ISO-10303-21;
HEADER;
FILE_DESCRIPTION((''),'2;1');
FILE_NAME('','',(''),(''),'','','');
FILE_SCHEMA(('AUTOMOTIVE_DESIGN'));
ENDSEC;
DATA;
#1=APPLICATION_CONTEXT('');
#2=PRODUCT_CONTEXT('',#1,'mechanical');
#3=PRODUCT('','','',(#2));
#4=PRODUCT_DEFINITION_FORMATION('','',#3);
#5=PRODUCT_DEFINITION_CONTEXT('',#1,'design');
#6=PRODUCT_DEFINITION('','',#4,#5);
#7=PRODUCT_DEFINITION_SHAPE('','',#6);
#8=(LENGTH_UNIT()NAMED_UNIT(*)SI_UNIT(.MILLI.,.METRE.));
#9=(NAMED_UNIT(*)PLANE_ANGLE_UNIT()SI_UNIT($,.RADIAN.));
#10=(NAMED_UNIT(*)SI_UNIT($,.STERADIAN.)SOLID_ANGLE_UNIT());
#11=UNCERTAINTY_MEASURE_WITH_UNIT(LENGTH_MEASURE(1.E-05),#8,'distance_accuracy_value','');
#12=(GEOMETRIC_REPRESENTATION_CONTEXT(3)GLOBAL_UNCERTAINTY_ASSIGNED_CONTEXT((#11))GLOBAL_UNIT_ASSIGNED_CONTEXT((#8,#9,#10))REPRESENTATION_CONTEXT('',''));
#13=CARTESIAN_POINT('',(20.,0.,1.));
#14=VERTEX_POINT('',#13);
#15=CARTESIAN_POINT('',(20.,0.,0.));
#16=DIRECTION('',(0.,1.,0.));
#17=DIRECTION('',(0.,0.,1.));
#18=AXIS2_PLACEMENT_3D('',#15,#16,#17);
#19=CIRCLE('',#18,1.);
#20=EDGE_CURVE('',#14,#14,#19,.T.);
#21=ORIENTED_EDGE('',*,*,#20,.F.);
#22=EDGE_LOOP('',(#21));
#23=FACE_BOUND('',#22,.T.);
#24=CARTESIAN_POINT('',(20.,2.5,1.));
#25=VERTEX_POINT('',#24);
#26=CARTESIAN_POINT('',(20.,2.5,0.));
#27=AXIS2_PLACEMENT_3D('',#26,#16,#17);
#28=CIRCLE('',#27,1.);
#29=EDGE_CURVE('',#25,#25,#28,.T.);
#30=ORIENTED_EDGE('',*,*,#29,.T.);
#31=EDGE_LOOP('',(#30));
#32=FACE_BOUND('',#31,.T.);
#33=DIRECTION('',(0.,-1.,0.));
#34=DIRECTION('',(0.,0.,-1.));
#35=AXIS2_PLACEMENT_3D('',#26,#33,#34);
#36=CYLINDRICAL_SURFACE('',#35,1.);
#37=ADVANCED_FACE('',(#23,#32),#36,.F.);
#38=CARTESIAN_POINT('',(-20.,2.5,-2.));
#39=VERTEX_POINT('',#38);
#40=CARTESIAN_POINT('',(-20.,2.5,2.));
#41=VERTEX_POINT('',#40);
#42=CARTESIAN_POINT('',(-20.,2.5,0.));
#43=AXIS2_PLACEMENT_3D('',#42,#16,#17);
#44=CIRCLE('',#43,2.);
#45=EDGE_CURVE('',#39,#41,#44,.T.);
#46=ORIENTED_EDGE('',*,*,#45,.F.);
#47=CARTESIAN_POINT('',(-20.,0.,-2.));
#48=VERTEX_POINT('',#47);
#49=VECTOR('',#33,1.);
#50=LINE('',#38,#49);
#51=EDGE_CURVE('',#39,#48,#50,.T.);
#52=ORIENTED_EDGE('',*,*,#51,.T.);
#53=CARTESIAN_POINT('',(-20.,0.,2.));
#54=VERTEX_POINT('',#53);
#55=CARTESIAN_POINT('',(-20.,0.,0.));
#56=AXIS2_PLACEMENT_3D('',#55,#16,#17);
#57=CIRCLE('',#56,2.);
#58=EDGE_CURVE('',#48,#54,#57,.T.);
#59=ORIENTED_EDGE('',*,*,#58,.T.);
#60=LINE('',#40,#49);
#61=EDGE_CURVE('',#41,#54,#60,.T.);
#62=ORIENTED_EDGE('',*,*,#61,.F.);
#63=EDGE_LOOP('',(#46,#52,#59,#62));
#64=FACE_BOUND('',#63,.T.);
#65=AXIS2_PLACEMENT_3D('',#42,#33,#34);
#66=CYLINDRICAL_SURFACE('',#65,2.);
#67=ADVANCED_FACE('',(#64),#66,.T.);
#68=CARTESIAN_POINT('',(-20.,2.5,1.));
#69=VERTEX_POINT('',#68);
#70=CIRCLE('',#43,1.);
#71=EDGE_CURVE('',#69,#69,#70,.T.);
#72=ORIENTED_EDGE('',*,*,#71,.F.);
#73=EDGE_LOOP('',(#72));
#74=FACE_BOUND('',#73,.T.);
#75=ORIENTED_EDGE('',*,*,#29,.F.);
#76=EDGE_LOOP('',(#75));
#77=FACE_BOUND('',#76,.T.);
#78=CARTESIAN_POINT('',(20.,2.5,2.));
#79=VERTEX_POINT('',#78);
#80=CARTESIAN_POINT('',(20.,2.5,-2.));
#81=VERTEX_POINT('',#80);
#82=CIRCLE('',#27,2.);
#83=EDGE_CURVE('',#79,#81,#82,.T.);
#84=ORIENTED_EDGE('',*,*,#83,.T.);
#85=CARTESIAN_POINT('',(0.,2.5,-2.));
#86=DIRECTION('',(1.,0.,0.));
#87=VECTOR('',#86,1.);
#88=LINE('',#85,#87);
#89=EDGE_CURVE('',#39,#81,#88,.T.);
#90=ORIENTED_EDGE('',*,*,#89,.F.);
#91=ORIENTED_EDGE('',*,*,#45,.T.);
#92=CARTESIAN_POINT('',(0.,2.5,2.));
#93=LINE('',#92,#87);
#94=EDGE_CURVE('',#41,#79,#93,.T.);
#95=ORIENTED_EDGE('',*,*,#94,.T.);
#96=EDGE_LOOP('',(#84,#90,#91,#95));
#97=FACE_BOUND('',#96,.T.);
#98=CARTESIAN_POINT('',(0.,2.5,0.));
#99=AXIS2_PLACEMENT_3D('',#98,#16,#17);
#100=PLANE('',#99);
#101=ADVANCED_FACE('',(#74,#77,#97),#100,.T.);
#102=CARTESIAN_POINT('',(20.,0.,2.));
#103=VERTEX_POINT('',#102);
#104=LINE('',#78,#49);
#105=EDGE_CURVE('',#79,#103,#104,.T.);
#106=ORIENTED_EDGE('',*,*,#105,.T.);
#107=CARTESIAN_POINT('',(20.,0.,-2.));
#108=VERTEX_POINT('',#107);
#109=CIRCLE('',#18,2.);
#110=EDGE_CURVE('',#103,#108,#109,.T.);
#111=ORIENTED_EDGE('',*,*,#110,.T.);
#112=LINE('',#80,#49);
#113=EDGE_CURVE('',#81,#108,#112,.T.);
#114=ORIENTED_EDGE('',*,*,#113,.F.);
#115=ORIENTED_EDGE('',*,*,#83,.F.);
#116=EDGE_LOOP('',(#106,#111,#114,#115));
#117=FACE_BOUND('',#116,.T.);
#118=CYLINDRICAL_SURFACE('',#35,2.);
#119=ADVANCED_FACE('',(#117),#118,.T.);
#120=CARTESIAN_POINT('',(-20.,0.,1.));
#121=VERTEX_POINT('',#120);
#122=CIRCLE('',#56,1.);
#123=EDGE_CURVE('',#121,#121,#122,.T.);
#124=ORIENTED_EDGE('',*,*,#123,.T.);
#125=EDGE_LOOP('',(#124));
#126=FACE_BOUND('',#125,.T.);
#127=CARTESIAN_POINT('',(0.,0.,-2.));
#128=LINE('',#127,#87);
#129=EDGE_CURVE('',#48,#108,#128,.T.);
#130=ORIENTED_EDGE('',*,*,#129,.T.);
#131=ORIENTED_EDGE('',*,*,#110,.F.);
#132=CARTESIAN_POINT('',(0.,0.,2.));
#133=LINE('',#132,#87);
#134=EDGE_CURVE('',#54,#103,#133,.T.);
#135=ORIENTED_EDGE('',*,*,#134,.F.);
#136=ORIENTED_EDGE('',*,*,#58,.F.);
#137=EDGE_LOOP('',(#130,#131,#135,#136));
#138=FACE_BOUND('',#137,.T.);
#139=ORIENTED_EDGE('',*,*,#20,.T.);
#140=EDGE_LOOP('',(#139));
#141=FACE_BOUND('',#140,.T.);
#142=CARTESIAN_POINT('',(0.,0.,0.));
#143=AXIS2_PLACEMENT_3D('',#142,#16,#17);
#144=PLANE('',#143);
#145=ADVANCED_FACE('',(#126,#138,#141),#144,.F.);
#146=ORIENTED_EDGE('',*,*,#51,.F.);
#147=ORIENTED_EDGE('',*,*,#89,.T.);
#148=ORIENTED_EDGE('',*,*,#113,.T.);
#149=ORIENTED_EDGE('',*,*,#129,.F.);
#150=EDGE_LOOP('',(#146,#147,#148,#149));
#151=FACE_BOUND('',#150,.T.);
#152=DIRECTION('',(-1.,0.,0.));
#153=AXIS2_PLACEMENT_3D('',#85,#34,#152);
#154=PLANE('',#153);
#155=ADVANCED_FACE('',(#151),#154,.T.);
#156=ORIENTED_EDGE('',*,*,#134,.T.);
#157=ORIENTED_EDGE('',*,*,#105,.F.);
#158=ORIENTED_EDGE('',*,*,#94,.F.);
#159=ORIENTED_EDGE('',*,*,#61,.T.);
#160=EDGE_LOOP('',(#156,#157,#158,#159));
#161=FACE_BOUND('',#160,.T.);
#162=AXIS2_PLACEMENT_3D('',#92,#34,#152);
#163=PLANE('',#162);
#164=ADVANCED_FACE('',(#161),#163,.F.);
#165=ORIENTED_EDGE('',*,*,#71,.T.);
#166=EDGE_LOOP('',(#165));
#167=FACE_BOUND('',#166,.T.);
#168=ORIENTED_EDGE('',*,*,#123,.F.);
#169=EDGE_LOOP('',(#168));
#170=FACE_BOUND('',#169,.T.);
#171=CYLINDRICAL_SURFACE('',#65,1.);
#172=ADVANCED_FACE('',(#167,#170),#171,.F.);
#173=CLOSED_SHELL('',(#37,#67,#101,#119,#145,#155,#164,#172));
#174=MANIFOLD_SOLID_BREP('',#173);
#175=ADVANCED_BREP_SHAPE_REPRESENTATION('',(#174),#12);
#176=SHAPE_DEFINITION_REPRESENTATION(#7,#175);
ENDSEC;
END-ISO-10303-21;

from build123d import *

# Parameters (mm, degrees)
BOSS_EXTRUDE1_DEPTH = 2.5
SKETCH2_R           = 1
CUT_EXTRUDE1_DEPTH  = 23.231734075


with BuildPart() as part:
    # Sketch1 → Boss-Extrude1 (new body)
    with BuildSketch(Plane(origin=(0, 0, 0), x_dir=(1, 0, 0), z_dir=(0, 1, 0))):
        with BuildLine():
            ThreePointArc((-20, 2), (-22, 0), (-20, -2))
            Line((-20, -2), (-20, 2))
        make_face()
        with BuildLine():
            Line((-20, 2), (-20, -2))
            ThreePointArc((-20, -2), (-18.585786438, -1.414213562), (-18, 0))
            ThreePointArc((-18, 0), (-18.585786438, 1.414213562), (-20, 2))
        make_face()
        with BuildLine():
            ThreePointArc((-18, 0), (-18.585786438, -1.414213562), (-20, -2))
            Line((-20, -2), (20, -2))
            ThreePointArc((20, -2), (18, 0), (20, 2))
            Line((20, 2), (-20, 2))
            ThreePointArc((-20, 2), (-18.585786438, 1.414213562), (-18, 0))
        make_face()
        with BuildLine():
            ThreePointArc((20, 2), (18, 0), (20, -2))
            Line((20, -2), (20, 2))
        make_face()
        with BuildLine():
            Line((20, 2), (20, -2))
            ThreePointArc((20, -2), (21.414213562, -1.414213562), (22, 0))
            ThreePointArc((22, 0), (21.414213562, 1.414213562), (20, 2))
        make_face()
    extrude(amount=BOSS_EXTRUDE1_DEPTH)

    # Sketch2 → Cut-Extrude1 (cut, through all)
    with BuildSketch(Plane(origin=(0, 0, 0), x_dir=(1, 0, 0), z_dir=(0, 1, 0))):
        with Locations(Location((20, 0, 0), (0, 0, 270))):
            Circle(SKETCH2_R)
        with Locations(Location((-20, 0, 0), (0, 0, 270))):
            Circle(SKETCH2_R)
    extrude(amount=CUT_EXTRUDE1_DEPTH, mode=Mode.SUBTRACT)


solid = part.part
